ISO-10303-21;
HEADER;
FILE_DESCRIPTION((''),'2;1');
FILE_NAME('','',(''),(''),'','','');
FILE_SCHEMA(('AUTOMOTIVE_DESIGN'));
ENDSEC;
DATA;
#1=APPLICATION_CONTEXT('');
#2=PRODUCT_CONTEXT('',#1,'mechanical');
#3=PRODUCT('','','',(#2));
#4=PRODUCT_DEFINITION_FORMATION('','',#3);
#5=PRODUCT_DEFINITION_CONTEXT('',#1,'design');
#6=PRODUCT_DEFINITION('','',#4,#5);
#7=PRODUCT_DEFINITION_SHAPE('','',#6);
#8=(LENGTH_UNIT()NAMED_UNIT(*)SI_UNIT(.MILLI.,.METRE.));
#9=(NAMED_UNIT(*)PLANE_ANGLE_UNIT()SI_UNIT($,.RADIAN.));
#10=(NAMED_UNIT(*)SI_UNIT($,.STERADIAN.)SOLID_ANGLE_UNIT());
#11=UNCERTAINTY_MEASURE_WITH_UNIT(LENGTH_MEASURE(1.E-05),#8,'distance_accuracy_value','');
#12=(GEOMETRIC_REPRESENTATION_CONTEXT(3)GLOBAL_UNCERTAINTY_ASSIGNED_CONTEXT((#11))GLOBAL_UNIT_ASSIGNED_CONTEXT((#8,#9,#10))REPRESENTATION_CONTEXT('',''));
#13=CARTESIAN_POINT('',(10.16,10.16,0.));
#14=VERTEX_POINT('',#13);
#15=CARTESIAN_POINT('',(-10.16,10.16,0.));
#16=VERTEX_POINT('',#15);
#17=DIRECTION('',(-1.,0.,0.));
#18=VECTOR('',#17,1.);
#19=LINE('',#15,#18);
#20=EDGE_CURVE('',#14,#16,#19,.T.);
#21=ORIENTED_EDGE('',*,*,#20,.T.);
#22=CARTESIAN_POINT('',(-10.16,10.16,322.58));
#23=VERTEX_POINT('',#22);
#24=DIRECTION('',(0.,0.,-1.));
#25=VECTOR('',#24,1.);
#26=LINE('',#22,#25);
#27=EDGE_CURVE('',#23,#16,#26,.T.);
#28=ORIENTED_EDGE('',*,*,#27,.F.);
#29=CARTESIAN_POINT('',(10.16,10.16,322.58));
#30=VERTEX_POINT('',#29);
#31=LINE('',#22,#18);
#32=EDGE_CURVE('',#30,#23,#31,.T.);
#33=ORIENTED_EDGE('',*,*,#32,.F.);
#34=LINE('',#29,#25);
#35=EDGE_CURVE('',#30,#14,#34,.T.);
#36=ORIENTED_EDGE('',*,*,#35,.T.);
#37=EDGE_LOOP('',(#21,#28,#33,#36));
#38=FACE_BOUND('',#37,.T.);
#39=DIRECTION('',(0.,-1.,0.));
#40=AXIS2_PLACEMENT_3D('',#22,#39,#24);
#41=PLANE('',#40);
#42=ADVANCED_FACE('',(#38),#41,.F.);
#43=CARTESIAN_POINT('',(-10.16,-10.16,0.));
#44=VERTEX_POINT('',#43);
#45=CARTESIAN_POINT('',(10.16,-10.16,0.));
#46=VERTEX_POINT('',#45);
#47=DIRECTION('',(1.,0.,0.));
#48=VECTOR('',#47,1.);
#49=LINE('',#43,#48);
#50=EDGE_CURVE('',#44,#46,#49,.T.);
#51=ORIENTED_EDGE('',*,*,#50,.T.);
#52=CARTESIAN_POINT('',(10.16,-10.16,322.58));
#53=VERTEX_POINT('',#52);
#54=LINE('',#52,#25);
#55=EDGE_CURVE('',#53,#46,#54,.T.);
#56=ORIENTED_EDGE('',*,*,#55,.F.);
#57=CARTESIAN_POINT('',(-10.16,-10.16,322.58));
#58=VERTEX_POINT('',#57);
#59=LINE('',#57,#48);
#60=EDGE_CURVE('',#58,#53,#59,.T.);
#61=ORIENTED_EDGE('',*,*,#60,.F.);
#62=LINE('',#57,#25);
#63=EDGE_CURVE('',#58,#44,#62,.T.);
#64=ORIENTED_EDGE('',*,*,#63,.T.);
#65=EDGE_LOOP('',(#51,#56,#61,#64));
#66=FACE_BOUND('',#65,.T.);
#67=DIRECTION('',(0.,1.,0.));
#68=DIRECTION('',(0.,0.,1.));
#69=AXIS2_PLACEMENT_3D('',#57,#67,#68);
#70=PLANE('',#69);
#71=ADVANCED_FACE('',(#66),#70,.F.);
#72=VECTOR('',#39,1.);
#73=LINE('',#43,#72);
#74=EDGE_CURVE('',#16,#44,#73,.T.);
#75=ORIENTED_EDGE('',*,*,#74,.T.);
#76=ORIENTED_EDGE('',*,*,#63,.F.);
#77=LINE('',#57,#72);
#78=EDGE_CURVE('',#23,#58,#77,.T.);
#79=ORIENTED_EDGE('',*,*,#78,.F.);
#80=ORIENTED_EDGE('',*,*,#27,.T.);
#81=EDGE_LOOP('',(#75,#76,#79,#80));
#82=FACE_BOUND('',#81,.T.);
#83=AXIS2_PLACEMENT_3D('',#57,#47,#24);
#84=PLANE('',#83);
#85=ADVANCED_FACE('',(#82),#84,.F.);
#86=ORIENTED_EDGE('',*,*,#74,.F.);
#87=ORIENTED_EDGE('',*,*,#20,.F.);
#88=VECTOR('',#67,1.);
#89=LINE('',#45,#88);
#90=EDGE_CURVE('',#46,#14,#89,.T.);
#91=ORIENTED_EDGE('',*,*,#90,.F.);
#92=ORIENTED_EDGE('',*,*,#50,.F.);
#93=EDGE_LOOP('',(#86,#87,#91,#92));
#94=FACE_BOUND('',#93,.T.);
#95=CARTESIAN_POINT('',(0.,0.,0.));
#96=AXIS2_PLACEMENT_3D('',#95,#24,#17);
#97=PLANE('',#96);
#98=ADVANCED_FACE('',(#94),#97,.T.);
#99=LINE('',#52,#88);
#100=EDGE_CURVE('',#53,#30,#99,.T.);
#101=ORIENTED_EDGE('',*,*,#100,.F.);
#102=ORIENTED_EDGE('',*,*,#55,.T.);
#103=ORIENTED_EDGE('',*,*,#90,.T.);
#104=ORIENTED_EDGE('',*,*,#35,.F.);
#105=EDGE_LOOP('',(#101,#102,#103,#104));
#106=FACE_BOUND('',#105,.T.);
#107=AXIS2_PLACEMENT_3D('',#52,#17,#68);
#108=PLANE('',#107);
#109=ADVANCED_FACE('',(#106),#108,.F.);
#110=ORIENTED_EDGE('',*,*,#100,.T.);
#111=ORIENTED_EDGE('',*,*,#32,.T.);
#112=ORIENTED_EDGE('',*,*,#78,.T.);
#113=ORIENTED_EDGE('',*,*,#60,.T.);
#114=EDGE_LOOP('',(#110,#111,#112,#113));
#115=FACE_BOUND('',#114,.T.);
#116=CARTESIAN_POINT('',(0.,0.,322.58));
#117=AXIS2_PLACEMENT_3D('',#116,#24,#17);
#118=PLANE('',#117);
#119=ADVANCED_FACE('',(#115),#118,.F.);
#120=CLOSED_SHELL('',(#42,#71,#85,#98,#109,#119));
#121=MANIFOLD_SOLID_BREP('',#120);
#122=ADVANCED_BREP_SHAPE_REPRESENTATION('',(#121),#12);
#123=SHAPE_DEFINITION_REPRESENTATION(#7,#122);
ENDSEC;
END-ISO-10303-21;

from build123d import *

# Parameters (mm, degrees)
SKETCH1_W           = 20.32
SKETCH1_H           = 20.32
BOSS_EXTRUDE1_DEPTH = 322.58


with BuildPart() as part:
    # Sketch1 → Boss-Extrude1 (new body)
    with BuildSketch(Plane.XY):
        Rectangle(SKETCH1_W, SKETCH1_H)
    extrude(amount=BOSS_EXTRUDE1_DEPTH)


solid = part.part
